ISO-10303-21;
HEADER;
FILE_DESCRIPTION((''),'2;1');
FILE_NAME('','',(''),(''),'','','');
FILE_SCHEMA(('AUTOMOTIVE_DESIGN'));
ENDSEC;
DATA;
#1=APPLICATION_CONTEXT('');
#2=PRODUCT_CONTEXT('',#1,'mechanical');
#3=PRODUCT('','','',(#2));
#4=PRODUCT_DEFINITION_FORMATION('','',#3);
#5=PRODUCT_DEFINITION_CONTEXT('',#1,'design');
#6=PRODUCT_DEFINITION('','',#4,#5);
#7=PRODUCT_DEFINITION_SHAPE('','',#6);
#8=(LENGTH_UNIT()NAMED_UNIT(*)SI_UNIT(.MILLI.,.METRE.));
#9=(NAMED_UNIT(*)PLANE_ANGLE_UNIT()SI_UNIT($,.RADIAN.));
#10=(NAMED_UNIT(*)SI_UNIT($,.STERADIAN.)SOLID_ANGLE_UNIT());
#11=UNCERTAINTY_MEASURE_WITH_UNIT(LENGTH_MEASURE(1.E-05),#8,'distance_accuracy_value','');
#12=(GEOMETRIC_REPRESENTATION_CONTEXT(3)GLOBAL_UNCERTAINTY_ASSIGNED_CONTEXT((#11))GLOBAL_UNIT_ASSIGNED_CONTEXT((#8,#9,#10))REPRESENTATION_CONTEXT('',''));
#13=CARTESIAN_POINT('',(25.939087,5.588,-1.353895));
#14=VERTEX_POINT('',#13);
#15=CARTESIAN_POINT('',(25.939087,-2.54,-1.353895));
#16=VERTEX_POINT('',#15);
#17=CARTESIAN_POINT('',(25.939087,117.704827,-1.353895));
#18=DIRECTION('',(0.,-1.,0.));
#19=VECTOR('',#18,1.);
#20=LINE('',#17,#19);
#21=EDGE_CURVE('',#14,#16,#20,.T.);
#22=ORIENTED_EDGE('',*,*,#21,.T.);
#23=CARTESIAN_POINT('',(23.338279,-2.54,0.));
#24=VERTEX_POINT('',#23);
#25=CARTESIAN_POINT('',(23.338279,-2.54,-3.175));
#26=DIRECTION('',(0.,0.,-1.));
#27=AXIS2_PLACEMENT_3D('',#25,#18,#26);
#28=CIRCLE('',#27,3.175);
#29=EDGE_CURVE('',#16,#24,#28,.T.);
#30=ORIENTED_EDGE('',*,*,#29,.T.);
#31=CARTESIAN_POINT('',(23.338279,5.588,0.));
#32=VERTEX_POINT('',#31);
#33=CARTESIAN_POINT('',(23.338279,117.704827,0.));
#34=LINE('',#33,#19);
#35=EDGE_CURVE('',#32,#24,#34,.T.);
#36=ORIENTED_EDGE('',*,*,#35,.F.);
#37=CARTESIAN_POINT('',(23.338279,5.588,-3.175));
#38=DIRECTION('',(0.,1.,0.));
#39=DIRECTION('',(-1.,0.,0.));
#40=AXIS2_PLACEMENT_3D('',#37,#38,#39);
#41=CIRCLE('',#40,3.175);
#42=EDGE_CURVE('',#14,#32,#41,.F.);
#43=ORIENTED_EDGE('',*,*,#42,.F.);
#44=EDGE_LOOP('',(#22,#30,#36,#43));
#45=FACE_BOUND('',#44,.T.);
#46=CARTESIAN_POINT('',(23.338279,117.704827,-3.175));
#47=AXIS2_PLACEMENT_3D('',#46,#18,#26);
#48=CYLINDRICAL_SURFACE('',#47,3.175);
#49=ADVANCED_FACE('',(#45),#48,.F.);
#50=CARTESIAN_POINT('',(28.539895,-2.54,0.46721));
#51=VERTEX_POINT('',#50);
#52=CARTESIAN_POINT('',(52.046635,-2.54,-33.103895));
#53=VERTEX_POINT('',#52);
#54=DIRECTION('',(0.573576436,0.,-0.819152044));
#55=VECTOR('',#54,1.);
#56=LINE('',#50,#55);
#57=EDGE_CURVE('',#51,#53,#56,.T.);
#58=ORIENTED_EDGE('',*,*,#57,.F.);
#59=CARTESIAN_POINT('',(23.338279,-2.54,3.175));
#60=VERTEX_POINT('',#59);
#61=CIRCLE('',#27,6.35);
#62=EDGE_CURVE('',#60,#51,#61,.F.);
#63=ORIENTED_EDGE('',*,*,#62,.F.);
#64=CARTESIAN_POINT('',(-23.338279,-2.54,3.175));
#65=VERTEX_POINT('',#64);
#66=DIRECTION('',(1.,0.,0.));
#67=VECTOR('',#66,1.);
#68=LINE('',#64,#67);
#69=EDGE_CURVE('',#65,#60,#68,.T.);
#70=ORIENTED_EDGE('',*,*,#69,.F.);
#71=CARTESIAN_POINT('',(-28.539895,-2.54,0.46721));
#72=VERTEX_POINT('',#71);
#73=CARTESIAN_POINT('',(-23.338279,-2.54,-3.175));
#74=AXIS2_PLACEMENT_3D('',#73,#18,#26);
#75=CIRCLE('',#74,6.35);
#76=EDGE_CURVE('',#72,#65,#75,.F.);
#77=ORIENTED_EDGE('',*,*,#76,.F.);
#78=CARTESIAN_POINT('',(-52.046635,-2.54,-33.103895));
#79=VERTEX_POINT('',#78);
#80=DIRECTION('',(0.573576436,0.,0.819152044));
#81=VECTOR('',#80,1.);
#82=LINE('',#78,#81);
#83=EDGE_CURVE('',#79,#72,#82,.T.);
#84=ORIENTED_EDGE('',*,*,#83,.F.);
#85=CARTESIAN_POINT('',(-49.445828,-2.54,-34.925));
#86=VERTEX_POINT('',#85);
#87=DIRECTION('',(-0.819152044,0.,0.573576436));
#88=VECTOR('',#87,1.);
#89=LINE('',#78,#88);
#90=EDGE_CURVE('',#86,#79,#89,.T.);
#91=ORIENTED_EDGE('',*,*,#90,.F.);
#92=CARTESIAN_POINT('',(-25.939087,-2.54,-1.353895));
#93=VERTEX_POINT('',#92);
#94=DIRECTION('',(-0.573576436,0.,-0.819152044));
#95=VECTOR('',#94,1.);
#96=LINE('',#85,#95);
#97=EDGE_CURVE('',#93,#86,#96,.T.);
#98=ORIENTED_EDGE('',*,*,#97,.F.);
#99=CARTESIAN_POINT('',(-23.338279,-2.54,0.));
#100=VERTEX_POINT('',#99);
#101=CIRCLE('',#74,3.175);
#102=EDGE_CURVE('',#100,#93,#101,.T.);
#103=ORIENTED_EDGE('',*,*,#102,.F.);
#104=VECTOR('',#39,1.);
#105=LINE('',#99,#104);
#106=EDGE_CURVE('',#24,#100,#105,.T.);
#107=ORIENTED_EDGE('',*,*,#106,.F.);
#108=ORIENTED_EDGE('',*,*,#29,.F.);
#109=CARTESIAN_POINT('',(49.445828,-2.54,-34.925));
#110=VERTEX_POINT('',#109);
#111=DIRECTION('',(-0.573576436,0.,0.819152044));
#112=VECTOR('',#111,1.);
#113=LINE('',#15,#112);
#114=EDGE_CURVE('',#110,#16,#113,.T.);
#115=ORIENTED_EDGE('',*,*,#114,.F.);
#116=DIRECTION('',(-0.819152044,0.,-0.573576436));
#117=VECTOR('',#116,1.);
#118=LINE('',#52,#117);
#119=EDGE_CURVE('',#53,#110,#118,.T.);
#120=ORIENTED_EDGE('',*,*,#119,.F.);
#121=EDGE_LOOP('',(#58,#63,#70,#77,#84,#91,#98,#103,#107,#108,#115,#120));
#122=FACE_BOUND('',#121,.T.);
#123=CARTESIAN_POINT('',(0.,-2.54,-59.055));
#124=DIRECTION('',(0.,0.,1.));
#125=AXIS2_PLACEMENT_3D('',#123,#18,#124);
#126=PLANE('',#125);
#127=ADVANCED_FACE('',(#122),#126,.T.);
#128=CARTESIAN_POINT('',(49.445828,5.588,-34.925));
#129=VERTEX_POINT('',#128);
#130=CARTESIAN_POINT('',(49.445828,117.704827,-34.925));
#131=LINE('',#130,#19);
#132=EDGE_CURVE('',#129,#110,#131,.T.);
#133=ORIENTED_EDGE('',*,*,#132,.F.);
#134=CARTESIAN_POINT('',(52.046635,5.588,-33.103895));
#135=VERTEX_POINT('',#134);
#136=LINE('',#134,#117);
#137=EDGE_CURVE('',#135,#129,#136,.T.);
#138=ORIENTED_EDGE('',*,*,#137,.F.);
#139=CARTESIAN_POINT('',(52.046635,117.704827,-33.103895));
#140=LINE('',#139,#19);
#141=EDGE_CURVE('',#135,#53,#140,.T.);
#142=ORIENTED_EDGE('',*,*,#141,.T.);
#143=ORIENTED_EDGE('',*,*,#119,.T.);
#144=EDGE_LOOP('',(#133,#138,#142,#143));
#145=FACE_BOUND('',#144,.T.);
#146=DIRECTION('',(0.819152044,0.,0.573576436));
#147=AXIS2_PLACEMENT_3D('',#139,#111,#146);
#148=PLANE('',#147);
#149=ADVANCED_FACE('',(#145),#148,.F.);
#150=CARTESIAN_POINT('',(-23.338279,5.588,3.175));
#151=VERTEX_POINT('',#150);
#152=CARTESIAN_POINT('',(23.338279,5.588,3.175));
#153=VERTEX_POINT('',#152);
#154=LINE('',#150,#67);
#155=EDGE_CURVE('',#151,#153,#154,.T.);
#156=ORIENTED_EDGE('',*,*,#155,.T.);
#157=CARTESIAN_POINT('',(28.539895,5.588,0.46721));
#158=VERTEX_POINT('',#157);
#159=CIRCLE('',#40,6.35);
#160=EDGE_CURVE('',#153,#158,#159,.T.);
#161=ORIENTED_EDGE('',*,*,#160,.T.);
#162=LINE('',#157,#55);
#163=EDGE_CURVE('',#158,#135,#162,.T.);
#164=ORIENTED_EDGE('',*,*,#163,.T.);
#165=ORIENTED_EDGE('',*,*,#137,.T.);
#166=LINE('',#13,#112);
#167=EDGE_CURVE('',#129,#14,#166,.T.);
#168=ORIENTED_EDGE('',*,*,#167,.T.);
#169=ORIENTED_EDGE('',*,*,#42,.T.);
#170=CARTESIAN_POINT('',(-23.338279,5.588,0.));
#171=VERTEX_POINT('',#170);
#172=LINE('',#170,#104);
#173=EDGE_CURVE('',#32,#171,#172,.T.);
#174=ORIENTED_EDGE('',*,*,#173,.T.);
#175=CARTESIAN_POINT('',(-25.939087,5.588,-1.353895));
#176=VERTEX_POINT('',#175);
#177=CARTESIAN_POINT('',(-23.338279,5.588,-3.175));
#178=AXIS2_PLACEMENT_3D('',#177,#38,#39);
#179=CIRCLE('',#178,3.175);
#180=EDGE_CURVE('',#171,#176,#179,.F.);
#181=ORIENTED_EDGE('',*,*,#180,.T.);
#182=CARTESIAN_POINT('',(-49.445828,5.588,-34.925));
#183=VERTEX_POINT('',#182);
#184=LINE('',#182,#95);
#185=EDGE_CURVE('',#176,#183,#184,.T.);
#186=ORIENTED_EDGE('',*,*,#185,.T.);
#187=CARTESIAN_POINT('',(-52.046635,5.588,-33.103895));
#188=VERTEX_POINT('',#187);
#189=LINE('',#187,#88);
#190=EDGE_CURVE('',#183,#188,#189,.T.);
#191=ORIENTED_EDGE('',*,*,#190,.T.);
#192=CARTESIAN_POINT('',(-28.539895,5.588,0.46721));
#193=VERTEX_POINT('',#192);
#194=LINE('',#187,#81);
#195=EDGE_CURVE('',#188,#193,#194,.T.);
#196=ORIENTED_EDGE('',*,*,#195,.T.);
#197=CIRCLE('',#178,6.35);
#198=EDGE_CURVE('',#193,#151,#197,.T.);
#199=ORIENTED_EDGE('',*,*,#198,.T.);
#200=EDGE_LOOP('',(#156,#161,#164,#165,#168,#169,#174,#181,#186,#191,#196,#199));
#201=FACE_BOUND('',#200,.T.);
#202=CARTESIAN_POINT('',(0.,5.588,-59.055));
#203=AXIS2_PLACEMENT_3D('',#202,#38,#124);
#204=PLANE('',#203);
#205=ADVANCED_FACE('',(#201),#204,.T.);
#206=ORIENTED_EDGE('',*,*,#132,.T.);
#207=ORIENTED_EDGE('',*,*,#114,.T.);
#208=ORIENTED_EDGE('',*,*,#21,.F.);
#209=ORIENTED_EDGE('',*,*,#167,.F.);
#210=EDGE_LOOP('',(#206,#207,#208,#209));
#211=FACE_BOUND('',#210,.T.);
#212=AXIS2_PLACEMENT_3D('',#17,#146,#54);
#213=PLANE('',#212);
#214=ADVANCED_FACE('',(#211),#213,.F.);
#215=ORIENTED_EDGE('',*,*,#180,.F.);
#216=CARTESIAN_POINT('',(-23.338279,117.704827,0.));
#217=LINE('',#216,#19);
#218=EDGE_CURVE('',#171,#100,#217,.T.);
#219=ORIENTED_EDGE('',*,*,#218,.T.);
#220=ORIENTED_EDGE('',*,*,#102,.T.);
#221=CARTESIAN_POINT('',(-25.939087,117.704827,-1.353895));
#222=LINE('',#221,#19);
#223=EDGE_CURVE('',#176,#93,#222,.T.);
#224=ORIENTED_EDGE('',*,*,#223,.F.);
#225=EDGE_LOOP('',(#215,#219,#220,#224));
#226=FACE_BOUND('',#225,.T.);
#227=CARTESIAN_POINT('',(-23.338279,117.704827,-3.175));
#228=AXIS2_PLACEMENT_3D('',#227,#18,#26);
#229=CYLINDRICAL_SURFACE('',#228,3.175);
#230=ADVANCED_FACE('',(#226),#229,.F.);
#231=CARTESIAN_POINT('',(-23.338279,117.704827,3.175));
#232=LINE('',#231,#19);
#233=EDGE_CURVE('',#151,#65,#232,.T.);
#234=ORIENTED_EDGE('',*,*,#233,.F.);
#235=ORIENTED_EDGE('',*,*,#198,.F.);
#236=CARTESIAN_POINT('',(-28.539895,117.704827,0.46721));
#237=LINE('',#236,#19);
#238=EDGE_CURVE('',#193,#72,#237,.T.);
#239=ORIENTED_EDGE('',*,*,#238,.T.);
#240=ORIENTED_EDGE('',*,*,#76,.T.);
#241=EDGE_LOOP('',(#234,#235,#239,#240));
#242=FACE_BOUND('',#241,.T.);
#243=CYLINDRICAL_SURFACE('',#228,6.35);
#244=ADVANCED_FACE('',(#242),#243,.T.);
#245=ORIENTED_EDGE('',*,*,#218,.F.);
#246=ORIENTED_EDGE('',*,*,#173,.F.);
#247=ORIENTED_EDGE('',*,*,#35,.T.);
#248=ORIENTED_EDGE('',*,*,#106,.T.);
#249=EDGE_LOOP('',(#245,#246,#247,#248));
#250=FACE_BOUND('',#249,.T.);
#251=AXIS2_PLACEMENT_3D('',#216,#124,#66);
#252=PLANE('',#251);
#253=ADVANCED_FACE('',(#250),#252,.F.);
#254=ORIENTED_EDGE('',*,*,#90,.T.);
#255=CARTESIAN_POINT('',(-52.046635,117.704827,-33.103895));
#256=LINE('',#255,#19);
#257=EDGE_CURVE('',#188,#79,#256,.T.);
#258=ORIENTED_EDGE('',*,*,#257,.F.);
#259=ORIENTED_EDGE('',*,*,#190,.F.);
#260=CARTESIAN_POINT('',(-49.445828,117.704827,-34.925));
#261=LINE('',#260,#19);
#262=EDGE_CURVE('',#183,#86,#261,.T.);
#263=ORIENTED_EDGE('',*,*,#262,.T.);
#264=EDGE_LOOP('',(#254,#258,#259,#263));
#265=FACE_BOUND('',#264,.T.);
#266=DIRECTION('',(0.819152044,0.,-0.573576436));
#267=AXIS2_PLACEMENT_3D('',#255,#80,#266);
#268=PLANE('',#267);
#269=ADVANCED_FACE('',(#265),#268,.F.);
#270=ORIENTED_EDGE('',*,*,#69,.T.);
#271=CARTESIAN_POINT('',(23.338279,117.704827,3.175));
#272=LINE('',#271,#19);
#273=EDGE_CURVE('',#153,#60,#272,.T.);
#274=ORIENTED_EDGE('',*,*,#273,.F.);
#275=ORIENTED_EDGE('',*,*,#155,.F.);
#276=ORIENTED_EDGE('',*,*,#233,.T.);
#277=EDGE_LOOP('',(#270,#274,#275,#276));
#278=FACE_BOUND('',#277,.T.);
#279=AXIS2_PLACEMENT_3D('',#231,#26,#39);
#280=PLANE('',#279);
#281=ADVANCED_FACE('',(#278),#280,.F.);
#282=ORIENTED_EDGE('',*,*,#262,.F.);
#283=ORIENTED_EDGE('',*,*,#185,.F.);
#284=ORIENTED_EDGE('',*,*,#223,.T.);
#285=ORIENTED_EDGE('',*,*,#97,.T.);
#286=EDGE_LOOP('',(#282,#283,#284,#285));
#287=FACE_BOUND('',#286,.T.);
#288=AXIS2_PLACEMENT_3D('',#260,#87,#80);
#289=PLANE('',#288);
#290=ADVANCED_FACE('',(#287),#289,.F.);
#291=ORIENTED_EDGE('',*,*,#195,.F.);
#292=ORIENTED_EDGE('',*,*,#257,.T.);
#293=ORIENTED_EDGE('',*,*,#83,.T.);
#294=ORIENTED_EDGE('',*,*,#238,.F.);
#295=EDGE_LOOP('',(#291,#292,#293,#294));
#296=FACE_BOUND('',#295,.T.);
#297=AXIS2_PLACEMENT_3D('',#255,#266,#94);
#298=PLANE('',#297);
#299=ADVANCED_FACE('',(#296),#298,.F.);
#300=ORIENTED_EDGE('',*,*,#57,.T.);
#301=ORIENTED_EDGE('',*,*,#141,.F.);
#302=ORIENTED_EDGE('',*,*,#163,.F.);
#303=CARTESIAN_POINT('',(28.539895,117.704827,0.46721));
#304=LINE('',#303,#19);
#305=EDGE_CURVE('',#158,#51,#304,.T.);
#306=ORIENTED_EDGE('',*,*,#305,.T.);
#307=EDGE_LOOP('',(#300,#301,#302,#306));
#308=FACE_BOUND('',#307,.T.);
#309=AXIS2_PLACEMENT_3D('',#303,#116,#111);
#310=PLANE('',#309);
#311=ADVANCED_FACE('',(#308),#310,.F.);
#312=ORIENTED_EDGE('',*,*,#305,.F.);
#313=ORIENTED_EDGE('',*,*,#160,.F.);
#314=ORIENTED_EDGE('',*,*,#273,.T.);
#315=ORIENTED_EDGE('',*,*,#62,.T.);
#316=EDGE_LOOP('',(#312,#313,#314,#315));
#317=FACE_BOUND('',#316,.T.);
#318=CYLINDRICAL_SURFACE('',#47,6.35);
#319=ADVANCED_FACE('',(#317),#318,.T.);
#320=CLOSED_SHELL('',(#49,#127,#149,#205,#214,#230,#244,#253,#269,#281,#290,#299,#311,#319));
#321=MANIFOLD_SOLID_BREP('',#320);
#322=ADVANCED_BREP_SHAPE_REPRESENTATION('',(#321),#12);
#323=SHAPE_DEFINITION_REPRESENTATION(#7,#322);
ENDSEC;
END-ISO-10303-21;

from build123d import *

# Parameters (mm, degrees)
BOSS_EXTRUDE1_DEPTH      = 5.588
BOSS_EXTRUDE1_DEPTH_BACK = 2.54


with BuildPart() as part:
    # Sketch1 → Boss-Extrude1 (new, two sides: drawn at the far end of the back side and taken through both)
    with BuildSketch(Plane(origin=(0, 0, 0), x_dir=(1, 0, 0), z_dir=(0, 1, 0)).offset(-BOSS_EXTRUDE1_DEPTH_BACK)):
        with BuildLine():
            Line((-49.445827732, 34.925), (-25.939086815, 1.353894815))
            ThreePointArc((-25.939086815, 1.353894815), (-24.804330922, 0.358740605), (-23.338279075, 0))
            Line((-23.338279075, 0), (23.338279075, 0))
            ThreePointArc((23.338279075, 0), (24.804330922, 0.358740605), (25.939086815, 1.353894815))
            Line((25.939086815, 1.353894815), (49.445827732, 34.925))
            Line((49.445827732, 34.925), (52.046635473, 33.103894815))
            Line((52.046635473, 33.103894815), (28.539894556, -0.467210371))
            ThreePointArc((28.539894556, -0.467210371), (26.270382769, -2.457518791), (23.338279075, -3.175))
            Line((23.338279075, -3.175), (-23.338279075, -3.175))
            ThreePointArc((-23.338279075, -3.175), (-26.270382769, -2.457518791), (-28.539894556, -0.467210371))
            Line((-28.539894556, -0.467210371), (-52.046635473, 33.103894815))
            Line((-52.046635473, 33.103894815), (-49.445827732, 34.925))
        make_face()
    extrude(amount=BOSS_EXTRUDE1_DEPTH + BOSS_EXTRUDE1_DEPTH_BACK)


solid = part.part
